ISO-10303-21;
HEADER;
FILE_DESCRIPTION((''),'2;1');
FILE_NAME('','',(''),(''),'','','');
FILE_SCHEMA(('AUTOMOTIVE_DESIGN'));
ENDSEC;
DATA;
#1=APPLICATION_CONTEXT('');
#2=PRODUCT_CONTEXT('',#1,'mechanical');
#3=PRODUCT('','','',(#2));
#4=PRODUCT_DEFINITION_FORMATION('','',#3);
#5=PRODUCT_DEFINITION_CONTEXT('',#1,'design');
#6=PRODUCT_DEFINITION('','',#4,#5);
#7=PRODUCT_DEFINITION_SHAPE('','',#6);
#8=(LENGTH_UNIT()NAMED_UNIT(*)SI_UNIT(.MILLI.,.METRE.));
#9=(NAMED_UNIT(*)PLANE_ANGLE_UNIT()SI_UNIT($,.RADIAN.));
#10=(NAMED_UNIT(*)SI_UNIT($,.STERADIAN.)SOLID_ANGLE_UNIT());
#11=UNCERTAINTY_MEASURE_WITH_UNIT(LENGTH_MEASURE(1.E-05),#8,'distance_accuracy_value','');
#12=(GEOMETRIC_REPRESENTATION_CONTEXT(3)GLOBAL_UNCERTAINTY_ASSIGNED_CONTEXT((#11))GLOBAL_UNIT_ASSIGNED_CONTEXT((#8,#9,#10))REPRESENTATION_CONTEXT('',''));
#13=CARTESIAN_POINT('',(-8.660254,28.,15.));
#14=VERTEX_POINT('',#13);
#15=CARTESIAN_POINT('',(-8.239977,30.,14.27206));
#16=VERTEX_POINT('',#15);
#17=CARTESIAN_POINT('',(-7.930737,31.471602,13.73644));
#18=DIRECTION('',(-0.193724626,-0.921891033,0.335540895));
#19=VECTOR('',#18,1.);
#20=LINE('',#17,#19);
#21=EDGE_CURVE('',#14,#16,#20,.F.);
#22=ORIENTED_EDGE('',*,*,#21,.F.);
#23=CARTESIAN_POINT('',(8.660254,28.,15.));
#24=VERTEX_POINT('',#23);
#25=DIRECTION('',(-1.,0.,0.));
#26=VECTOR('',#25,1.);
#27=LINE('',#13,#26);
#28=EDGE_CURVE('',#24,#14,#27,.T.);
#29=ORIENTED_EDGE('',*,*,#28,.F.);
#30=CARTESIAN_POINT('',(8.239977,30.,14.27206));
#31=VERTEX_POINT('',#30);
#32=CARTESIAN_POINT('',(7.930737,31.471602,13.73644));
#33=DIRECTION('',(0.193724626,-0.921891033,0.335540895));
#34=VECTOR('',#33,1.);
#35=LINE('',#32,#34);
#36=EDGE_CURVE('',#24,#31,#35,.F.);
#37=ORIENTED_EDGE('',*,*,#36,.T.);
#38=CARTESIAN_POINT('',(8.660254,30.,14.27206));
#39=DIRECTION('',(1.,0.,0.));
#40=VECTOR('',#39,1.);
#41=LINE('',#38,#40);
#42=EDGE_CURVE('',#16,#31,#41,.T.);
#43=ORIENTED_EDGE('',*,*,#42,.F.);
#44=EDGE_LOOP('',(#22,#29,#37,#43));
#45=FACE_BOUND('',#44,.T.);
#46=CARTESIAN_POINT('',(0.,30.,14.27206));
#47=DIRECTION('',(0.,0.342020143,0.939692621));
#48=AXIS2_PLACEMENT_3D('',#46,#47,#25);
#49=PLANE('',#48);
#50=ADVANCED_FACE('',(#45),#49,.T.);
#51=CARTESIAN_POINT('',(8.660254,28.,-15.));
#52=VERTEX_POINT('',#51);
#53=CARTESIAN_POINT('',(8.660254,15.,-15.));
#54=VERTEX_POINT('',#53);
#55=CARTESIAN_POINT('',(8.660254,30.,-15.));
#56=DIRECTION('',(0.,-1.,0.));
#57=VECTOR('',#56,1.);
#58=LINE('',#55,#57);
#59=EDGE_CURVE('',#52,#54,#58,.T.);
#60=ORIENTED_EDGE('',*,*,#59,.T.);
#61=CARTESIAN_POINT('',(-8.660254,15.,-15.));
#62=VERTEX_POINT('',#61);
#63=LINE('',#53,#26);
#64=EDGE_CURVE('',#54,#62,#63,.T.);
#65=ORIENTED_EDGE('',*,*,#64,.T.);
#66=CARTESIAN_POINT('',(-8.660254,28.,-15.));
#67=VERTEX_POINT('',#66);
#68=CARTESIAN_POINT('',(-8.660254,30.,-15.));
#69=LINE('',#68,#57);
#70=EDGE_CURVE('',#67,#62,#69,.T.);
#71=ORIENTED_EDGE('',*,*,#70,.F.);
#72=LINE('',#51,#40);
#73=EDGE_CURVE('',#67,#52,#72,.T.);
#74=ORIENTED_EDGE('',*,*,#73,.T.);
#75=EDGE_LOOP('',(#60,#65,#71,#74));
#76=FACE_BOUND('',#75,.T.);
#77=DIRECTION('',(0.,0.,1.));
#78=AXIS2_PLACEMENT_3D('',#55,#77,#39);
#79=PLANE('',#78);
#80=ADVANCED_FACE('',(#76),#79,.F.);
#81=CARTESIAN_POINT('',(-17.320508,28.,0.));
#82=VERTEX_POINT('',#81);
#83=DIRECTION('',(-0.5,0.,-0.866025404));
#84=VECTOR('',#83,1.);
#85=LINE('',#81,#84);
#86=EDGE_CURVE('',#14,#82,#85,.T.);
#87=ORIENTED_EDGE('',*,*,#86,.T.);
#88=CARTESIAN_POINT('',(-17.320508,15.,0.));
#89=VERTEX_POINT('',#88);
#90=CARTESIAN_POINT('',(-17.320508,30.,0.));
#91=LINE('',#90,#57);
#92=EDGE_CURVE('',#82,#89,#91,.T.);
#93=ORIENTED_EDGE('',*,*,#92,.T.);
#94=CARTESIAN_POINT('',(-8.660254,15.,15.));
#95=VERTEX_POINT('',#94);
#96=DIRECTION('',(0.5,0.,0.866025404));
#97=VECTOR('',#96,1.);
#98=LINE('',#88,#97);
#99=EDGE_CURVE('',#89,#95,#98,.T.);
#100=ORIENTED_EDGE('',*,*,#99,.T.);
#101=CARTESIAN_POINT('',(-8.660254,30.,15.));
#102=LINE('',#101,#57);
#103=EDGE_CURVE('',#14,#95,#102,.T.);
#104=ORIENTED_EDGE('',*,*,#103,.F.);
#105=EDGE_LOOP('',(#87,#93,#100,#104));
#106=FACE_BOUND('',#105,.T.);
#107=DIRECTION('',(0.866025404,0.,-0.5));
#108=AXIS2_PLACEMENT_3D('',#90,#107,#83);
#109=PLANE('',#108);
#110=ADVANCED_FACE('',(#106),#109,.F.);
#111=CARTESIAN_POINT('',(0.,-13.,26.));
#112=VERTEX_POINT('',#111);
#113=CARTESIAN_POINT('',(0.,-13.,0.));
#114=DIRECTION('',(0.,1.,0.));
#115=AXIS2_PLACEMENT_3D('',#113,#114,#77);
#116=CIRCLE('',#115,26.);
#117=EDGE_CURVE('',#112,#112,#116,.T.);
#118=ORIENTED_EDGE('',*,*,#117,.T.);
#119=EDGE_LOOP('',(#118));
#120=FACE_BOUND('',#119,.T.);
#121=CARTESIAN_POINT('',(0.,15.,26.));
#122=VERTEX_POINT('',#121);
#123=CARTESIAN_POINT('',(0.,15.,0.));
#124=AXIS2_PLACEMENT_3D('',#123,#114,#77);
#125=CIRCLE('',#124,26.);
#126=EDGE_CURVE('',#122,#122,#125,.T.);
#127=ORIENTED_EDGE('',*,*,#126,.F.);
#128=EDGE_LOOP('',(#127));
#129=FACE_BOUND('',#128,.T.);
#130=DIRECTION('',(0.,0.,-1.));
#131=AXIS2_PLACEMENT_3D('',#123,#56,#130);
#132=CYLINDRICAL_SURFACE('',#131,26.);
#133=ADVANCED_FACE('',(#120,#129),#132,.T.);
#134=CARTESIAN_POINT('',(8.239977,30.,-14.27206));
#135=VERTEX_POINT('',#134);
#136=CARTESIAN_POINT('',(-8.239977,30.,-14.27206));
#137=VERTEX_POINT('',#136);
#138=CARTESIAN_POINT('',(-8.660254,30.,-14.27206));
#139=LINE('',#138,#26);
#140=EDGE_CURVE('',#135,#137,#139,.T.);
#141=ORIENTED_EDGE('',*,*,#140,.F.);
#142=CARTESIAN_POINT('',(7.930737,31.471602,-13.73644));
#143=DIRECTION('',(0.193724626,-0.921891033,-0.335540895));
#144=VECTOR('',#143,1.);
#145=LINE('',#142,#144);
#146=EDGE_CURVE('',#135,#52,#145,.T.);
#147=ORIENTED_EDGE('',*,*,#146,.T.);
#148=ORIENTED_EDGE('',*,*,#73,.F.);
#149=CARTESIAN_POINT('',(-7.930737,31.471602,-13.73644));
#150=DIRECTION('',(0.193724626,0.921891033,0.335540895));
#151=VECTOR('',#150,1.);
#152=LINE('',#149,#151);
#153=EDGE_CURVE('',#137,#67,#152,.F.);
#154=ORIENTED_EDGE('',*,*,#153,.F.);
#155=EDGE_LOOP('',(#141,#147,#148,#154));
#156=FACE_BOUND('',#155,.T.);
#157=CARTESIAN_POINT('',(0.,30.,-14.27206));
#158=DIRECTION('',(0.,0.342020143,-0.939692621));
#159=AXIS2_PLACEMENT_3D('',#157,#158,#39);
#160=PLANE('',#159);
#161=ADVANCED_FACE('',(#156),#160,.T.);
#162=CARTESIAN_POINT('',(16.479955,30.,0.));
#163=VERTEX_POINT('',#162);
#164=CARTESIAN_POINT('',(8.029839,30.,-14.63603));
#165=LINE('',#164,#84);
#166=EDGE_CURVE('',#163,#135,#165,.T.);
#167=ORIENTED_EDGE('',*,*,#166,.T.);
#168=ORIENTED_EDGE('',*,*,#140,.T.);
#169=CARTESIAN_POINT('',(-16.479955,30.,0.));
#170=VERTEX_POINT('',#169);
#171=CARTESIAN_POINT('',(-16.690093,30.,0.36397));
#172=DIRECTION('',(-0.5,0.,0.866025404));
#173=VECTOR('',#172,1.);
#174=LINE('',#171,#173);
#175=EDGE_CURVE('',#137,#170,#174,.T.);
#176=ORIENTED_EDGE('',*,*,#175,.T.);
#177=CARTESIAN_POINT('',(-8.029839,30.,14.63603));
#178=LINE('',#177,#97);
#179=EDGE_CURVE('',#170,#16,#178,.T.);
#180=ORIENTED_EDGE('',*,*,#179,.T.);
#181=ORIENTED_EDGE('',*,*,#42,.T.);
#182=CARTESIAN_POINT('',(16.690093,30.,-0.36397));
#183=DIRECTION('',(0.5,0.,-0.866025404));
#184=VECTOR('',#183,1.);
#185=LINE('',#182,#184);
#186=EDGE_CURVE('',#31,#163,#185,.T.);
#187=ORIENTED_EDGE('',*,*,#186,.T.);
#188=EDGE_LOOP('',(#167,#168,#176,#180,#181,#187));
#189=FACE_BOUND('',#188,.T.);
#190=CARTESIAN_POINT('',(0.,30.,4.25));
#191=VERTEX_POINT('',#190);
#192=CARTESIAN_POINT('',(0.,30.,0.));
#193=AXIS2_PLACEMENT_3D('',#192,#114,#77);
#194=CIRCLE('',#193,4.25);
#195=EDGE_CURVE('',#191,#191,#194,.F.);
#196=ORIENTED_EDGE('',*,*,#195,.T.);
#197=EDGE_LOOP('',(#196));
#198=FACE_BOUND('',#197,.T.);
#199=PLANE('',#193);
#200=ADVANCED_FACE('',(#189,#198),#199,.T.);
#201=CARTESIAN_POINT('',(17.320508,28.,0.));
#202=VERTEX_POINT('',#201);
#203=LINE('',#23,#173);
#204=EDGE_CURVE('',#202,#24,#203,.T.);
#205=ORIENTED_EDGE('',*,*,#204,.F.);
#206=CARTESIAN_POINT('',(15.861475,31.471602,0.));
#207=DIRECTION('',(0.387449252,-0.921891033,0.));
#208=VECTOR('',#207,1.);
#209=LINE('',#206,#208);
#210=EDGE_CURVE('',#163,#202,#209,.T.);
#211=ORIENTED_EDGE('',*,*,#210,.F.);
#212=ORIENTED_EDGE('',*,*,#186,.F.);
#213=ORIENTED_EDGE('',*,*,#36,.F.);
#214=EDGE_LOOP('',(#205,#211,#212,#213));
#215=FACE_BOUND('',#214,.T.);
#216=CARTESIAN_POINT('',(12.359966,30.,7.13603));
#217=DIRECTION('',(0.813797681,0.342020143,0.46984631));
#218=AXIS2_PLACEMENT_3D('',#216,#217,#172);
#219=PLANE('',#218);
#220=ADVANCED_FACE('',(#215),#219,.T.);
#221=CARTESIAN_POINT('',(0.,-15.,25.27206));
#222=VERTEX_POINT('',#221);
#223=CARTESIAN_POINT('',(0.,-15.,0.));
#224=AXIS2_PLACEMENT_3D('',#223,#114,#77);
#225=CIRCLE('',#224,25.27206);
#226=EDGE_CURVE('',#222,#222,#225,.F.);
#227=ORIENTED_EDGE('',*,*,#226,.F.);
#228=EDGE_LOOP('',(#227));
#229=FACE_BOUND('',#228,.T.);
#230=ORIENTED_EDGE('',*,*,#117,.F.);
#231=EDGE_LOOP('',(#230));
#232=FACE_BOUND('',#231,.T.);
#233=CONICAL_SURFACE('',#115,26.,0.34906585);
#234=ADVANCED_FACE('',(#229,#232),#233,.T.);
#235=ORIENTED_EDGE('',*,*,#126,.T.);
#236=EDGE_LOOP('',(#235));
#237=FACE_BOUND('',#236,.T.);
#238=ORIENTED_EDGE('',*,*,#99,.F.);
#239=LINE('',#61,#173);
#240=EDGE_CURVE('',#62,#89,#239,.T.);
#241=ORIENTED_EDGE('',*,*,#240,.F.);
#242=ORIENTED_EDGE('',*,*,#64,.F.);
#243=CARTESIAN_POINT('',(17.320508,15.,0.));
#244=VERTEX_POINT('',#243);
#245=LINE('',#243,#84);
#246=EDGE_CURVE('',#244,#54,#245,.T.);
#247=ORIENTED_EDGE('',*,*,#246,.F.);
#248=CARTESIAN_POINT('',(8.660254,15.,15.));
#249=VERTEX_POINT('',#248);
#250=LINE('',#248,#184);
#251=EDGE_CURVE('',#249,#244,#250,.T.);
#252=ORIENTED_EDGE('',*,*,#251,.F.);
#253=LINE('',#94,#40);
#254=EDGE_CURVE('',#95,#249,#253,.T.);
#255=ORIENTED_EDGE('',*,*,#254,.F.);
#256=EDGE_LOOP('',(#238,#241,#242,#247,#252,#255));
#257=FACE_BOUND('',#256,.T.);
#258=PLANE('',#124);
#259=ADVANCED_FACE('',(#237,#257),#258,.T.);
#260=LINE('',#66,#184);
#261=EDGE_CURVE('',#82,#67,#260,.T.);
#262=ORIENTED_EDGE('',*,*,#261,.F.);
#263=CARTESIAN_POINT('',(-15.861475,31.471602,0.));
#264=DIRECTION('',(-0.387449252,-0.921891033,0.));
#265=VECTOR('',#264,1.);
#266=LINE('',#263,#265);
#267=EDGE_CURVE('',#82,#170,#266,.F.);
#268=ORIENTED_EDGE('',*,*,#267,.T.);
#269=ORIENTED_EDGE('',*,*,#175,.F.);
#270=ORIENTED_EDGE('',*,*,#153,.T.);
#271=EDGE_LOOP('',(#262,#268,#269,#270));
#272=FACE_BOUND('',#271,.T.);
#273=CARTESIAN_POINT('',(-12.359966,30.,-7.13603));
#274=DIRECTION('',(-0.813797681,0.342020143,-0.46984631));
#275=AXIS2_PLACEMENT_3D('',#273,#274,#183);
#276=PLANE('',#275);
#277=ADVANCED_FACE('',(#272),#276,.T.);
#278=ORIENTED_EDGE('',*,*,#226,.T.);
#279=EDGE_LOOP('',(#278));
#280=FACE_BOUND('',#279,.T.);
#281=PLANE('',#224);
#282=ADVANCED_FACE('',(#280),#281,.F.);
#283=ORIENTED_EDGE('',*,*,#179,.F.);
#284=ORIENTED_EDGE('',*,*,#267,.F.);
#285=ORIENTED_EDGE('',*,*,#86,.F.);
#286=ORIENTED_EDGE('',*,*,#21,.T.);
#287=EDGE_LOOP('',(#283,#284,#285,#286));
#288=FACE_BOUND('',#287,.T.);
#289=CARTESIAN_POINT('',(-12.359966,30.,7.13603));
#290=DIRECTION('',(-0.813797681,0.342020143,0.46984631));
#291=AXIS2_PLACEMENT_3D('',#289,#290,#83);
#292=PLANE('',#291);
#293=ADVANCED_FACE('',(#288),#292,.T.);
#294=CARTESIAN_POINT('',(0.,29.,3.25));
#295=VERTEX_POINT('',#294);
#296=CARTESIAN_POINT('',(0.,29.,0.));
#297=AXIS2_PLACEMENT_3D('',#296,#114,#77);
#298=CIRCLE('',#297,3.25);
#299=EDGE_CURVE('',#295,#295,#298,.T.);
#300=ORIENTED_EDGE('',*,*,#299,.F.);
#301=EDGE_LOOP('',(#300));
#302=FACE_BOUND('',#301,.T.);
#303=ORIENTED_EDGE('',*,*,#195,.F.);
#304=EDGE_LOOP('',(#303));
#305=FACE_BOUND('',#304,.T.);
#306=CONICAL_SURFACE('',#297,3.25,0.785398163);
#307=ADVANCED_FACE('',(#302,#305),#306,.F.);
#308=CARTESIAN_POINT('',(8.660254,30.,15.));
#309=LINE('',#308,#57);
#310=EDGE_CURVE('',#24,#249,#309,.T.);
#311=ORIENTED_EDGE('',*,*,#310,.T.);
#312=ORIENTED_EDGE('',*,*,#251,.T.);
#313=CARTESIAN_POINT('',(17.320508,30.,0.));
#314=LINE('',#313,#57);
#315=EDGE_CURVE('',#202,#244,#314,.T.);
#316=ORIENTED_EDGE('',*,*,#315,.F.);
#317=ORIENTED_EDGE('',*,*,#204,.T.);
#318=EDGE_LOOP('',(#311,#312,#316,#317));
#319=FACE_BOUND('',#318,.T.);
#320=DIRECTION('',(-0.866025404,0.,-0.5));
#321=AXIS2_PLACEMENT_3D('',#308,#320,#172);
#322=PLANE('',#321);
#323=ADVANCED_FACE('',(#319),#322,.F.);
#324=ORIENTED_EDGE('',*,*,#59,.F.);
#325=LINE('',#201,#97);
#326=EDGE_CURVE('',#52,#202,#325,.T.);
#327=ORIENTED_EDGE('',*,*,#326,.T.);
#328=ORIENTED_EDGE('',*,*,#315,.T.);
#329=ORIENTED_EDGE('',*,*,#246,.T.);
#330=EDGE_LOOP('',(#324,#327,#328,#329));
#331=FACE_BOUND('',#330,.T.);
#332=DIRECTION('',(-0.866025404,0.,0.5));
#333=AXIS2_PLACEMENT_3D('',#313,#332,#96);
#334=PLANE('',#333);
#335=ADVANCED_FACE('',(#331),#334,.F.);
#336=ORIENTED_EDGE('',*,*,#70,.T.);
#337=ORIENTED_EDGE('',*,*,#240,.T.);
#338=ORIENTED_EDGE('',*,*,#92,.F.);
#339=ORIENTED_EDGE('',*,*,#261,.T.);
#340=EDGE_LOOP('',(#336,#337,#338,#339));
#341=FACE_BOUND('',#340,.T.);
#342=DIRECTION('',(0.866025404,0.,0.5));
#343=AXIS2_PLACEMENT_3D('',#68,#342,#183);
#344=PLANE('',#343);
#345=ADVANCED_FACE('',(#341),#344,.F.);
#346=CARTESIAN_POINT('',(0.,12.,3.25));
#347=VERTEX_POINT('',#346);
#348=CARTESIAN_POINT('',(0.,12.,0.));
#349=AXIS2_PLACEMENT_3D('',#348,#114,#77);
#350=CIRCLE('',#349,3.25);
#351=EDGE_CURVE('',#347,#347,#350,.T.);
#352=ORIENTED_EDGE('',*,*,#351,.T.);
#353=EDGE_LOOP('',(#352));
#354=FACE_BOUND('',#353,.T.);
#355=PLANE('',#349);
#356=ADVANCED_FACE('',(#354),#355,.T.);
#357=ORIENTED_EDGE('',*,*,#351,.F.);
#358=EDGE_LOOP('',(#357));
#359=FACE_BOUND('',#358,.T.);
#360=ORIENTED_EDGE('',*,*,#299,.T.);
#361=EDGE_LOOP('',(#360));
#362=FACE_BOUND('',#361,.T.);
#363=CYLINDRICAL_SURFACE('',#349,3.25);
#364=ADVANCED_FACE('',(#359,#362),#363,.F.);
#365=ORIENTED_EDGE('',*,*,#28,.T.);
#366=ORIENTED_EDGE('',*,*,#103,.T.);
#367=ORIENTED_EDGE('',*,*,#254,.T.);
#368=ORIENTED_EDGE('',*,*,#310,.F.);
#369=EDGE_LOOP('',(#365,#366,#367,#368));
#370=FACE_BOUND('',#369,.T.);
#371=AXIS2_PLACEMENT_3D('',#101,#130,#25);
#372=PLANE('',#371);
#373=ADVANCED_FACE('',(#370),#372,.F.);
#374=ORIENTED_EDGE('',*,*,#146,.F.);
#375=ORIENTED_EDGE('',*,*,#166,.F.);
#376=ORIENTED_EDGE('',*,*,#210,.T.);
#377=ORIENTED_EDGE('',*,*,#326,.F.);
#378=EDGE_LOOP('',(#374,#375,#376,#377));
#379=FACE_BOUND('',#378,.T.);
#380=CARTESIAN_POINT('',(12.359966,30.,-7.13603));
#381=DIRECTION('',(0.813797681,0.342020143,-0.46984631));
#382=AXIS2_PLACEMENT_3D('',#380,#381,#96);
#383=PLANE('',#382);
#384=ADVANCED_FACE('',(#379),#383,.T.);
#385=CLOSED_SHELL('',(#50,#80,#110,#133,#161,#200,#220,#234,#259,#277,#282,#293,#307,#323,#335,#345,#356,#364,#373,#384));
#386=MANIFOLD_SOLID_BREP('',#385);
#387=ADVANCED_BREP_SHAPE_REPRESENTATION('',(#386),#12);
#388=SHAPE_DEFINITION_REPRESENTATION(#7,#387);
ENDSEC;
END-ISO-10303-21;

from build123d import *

# Parameters (mm, degrees)
SKETCH1_R             = 26
BOSS_EXTRUDE1_DEPTH   = 15
BOSS_EXTRUDE2_DEPTH   = 15
CHAMFER1_SIZE         = 2
CHAMFER1_SIZE2        = 0.727940469
CHAMFER1_PART_2_SIZE  = 2
CHAMFER1_PART_2_SIZE2 = 0.727940469
CHAMFER1_PART_3_SIZE  = 2
CHAMFER1_PART_3_SIZE2 = 0.727940469
CHAMFER1_PART_4_SIZE  = 2
CHAMFER1_PART_4_SIZE2 = 0.727940469
CHAMFER1_PART_5_SIZE  = 2
CHAMFER1_PART_5_SIZE2 = 0.727940469
CHAMFER1_PART_6_SIZE  = 2
CHAMFER1_PART_6_SIZE2 = 0.727940469
CHAMFER2_SIZE         = 2
CHAMFER2_SIZE2        = 0.727940469
SKETCH3_R             = 3.25
CUT_EXTRUDE1_DEPTH    = 18
CHAMFER3_SIZE         = 1


with BuildPart() as part:
    # Sketch1 → Boss-Extrude1 (new body, symmetric)
    with BuildSketch(Plane(origin=(0, 0, 0), x_dir=(1, 0, 0), z_dir=(0, 1, 0))):
        Circle(SKETCH1_R)
    extrude(amount=BOSS_EXTRUDE1_DEPTH, both=True)

    # Sketch2 → Boss-Extrude2 (add)
    with BuildSketch(Plane(origin=(0, 15, 0), x_dir=(1, 0, 0), z_dir=(0, 1, 0))):
        Polygon((-17.320508076, 0), (-8.660254038, -15), (8.660254038, -15), (17.320508076, 0), (8.660254038, 15), (-8.660254038, 15), align=None)
    extrude(amount=BOSS_EXTRUDE2_DEPTH)

    # Chamfer1
    chamfer1_edges = [part.edges().sort_by_distance(p)[0] for p in [
        (-12.990381057, 30, -7.5),
    ]]
    chamfer1_side = [part.faces().sort_by_distance(p)[0] for p in [
        (-12.990381057, 22.5, -7.5),
    ]]
    chamfer(chamfer1_edges, length=CHAMFER1_SIZE, length2=CHAMFER1_SIZE2, reference=chamfer1_side[0])

    # Chamfer1 part 2
    chamfer1_part_2_edges = [part.edges().sort_by_distance(p)[0] for p in [
        (-12.990381057, 30, 7.5),
    ]]
    chamfer1_part_2_side = [part.faces().sort_by_distance(p)[0] for p in [
        (-12.990381057, 22.5, 7.5),
    ]]
    chamfer(chamfer1_part_2_edges, length=CHAMFER1_PART_2_SIZE, length2=CHAMFER1_PART_2_SIZE2, reference=chamfer1_part_2_side[0])

    # Chamfer1 part 3
    chamfer1_part_3_edges = [part.edges().sort_by_distance(p)[0] for p in [
        (0, 30, 15),
    ]]
    chamfer1_part_3_side = [part.faces().sort_by_distance(p)[0] for p in [
        (0, 22.5, 15),
    ]]
    chamfer(chamfer1_part_3_edges, length=CHAMFER1_PART_3_SIZE, length2=CHAMFER1_PART_3_SIZE2, reference=chamfer1_part_3_side[0])

    # Chamfer1 part 4
    chamfer1_part_4_edges = [part.edges().sort_by_distance(p)[0] for p in [
        (12.990381057, 30, 7.5),
    ]]
    chamfer1_part_4_side = [part.faces().sort_by_distance(p)[0] for p in [
        (12.990381057, 22.5, 7.5),
    ]]
    chamfer(chamfer1_part_4_edges, length=CHAMFER1_PART_4_SIZE, length2=CHAMFER1_PART_4_SIZE2, reference=chamfer1_part_4_side[0])

    # Chamfer1 part 5
    chamfer1_part_5_edges = [part.edges().sort_by_distance(p)[0] for p in [
        (12.990381057, 30, -7.5),
    ]]
    chamfer1_part_5_side = [part.faces().sort_by_distance(p)[0] for p in [
        (12.990381057, 22.5, -7.5),
    ]]
    chamfer(chamfer1_part_5_edges, length=CHAMFER1_PART_5_SIZE, length2=CHAMFER1_PART_5_SIZE2, reference=chamfer1_part_5_side[0])

    # Chamfer1 part 6
    chamfer1_part_6_edges = [part.edges().sort_by_distance(p)[0] for p in [
        (0, 30, -15),
    ]]
    chamfer1_part_6_side = [part.faces().sort_by_distance(p)[0] for p in [
        (0, 22.5, -15),
    ]]
    chamfer(chamfer1_part_6_edges, length=CHAMFER1_PART_6_SIZE, length2=CHAMFER1_PART_6_SIZE2, reference=chamfer1_part_6_side[0])

    # Chamfer2
    chamfer2_edges = [part.edges().sort_by_distance(p)[0] for p in [
        (-26, -15, 0),
    ]]
    chamfer2_side = [part.faces().sort_by_distance(p)[0] for p in [
        (-26, 0, 0),
    ]]
    chamfer(chamfer2_edges, length=CHAMFER2_SIZE, length2=CHAMFER2_SIZE2, reference=chamfer2_side[0])

    # Sketch3 → Cut-Extrude1 (cut)
    with BuildSketch(Plane(origin=(0, 30, 0), x_dir=(1, 0, 0), z_dir=(0, 1, 0))):
        Circle(SKETCH3_R)
    extrude(amount=-CUT_EXTRUDE1_DEPTH, mode=Mode.SUBTRACT)

    # Chamfer3
    chamfer3_edges = [part.edges().sort_by_distance(p)[0] for p in [
        (-3.25, 30, 0),
    ]]
    chamfer(chamfer3_edges, length=CHAMFER3_SIZE)


solid = part.part
